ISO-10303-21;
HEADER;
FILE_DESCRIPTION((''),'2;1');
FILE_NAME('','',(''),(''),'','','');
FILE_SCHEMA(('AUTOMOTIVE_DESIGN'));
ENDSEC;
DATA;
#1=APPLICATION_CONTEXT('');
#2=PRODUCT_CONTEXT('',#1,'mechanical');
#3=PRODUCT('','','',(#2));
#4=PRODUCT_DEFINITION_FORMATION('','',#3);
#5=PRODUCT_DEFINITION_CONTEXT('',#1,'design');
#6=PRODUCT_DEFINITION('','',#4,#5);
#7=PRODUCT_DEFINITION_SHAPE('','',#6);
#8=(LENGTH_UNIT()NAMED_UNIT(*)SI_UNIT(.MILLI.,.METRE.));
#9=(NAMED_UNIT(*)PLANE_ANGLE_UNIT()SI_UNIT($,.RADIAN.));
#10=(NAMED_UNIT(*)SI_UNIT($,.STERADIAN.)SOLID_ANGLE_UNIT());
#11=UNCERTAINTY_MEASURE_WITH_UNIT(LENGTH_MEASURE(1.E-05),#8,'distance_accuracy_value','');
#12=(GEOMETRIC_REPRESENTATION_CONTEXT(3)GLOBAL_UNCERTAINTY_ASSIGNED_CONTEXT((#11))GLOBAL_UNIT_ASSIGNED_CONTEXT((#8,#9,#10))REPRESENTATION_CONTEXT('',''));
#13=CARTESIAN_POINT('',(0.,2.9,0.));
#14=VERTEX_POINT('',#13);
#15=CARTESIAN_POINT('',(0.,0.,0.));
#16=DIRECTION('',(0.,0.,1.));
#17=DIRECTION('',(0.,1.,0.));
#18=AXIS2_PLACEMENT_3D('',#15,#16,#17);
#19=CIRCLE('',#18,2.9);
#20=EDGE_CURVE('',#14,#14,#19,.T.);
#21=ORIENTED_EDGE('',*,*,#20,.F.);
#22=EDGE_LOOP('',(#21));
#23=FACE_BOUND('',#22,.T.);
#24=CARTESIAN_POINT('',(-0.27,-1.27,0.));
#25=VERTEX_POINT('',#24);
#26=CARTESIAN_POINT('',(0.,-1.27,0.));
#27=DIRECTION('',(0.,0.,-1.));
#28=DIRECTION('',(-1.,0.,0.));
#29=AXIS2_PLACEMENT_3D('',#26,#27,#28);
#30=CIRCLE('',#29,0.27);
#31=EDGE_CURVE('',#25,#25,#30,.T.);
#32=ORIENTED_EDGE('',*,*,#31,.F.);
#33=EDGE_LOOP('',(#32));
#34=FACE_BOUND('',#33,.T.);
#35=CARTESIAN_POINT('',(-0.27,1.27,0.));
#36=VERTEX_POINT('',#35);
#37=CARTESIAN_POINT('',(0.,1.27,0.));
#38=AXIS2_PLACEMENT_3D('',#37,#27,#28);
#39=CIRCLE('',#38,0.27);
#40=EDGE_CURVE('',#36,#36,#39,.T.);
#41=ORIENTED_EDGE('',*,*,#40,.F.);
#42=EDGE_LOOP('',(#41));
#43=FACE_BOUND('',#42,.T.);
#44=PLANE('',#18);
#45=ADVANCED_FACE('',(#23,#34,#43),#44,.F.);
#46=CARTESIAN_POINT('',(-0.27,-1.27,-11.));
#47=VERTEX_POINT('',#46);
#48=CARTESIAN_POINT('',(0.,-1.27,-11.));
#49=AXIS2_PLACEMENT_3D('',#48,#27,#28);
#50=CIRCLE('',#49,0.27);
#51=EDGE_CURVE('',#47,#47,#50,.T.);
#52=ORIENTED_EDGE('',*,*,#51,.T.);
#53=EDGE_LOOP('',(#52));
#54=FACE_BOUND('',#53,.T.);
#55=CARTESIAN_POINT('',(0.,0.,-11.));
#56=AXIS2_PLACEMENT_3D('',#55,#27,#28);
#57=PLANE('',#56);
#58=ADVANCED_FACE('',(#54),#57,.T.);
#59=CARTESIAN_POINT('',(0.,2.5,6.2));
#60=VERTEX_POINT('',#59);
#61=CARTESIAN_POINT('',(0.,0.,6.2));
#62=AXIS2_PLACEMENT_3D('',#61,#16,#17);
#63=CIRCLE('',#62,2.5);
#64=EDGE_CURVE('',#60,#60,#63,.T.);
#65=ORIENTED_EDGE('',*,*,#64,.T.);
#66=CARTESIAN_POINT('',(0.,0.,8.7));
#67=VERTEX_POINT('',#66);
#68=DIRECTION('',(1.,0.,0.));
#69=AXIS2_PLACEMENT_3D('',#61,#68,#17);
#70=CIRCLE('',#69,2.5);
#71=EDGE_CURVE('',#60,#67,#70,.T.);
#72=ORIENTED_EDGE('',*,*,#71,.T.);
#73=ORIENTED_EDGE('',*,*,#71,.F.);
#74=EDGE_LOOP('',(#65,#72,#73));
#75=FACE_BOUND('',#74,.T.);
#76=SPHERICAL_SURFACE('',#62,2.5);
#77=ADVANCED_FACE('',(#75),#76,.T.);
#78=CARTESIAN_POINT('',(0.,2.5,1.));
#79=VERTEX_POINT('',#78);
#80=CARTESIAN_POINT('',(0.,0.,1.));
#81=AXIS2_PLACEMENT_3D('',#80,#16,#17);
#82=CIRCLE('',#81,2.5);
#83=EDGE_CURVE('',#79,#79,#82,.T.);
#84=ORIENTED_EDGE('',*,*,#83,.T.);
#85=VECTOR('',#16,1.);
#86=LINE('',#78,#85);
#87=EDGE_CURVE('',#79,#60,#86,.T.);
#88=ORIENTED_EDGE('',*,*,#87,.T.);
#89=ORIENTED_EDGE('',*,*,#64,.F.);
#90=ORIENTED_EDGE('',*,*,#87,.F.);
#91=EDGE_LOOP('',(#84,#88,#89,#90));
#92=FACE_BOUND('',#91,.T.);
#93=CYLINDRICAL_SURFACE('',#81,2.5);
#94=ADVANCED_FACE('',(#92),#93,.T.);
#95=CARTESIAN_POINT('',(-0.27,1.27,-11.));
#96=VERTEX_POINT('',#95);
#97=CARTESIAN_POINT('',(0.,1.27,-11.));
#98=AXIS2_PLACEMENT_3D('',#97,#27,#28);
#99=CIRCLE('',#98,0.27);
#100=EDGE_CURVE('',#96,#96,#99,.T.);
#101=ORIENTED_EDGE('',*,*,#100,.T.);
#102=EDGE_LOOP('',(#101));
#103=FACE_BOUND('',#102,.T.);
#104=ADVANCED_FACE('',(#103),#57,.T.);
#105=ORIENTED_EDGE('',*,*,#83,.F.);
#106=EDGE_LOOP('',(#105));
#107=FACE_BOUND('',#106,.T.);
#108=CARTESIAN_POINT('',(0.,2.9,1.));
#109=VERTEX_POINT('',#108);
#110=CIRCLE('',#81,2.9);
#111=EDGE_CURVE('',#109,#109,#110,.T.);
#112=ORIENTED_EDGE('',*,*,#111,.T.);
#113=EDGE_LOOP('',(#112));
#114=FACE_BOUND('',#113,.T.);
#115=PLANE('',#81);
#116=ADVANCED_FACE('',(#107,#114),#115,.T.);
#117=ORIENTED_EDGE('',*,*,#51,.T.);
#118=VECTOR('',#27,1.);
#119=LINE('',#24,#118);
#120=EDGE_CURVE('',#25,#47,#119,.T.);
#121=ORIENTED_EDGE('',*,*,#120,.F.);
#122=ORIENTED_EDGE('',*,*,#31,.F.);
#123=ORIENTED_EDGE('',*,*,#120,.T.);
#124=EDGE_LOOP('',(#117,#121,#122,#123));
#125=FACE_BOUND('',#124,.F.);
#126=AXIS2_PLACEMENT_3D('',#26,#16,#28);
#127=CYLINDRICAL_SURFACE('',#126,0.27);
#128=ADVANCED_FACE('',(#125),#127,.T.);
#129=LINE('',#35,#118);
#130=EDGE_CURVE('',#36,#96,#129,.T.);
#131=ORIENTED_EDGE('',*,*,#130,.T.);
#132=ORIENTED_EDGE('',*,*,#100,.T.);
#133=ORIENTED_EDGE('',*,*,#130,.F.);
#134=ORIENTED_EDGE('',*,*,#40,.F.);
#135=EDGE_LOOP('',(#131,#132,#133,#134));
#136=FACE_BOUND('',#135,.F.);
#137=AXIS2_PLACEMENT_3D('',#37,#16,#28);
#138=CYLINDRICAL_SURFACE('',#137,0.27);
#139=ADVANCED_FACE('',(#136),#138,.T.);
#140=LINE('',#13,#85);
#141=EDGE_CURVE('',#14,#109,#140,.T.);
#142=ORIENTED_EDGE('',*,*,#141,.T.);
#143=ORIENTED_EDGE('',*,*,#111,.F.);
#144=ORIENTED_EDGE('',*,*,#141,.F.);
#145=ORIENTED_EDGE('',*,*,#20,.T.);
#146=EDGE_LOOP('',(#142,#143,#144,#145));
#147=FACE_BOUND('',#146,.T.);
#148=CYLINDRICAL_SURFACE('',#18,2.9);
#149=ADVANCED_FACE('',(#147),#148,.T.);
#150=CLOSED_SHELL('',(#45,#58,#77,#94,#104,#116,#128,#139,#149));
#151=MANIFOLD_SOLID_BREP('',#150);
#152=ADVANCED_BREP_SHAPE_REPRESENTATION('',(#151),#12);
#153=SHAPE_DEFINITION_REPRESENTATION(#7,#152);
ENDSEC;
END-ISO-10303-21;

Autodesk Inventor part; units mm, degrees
ref_plane "YZ Plane" through (0, 0, 0) normal (1, 0, 0) x (0, 1, 0)
ref_plane "XZ Plane" through (0, 0, 0) normal (0, 1, 0) x (-1, 0, 0)
ref_plane "XY Plane" through (0, 0, 0) normal (0, 0, 1) x (1, 0, 0)
sketch "Boceto40" plane through (0, 0, 0) normal (1, 0, 0) x (0, 1, 0)
  line L0 (0, 0) -> (0, 9.551)
  line L1 (0, 0) -> (2.9, 0)
  line L2 (2.9, 0) -> (2.9, 1)
  line L3 (2.9, 1) -> (2.5, 1)
  line L4 (2.5, 1) -> (2.5, 6.2)
  arc A0 (2.5, 6.2) -> (0, 8.7) centre (0, 6.2) ccw
  line L5 (0, 0) -> (0, 8.7)
  dimension "d373" = 5
  dimension "d374" = 5.8
  dimension "d375" = 1
  dimension "d376" = 7.7
revolve "B" add sketch "Boceto40" angle 360 about axis through (0, 0, 0) along (0, 0, 1)
sketch "Boceto41" plane through (0, 0, 0) normal (0, 0, -1) x (-1, 0, 0)
  circle A0 centre (0, 1.27) radius 0.27
  circle A1 centre (0, -1.27) radius 0.27
  point P0 (0, 0)
  dimension "d378" = 2.54
  dimension "d379" = 1.27
  dimension "d380" = 0.54
extrude "Extrusión13" add sketch "Boceto41" along normal blind 11
properties part number "LED_5MM_GREEN_9"
